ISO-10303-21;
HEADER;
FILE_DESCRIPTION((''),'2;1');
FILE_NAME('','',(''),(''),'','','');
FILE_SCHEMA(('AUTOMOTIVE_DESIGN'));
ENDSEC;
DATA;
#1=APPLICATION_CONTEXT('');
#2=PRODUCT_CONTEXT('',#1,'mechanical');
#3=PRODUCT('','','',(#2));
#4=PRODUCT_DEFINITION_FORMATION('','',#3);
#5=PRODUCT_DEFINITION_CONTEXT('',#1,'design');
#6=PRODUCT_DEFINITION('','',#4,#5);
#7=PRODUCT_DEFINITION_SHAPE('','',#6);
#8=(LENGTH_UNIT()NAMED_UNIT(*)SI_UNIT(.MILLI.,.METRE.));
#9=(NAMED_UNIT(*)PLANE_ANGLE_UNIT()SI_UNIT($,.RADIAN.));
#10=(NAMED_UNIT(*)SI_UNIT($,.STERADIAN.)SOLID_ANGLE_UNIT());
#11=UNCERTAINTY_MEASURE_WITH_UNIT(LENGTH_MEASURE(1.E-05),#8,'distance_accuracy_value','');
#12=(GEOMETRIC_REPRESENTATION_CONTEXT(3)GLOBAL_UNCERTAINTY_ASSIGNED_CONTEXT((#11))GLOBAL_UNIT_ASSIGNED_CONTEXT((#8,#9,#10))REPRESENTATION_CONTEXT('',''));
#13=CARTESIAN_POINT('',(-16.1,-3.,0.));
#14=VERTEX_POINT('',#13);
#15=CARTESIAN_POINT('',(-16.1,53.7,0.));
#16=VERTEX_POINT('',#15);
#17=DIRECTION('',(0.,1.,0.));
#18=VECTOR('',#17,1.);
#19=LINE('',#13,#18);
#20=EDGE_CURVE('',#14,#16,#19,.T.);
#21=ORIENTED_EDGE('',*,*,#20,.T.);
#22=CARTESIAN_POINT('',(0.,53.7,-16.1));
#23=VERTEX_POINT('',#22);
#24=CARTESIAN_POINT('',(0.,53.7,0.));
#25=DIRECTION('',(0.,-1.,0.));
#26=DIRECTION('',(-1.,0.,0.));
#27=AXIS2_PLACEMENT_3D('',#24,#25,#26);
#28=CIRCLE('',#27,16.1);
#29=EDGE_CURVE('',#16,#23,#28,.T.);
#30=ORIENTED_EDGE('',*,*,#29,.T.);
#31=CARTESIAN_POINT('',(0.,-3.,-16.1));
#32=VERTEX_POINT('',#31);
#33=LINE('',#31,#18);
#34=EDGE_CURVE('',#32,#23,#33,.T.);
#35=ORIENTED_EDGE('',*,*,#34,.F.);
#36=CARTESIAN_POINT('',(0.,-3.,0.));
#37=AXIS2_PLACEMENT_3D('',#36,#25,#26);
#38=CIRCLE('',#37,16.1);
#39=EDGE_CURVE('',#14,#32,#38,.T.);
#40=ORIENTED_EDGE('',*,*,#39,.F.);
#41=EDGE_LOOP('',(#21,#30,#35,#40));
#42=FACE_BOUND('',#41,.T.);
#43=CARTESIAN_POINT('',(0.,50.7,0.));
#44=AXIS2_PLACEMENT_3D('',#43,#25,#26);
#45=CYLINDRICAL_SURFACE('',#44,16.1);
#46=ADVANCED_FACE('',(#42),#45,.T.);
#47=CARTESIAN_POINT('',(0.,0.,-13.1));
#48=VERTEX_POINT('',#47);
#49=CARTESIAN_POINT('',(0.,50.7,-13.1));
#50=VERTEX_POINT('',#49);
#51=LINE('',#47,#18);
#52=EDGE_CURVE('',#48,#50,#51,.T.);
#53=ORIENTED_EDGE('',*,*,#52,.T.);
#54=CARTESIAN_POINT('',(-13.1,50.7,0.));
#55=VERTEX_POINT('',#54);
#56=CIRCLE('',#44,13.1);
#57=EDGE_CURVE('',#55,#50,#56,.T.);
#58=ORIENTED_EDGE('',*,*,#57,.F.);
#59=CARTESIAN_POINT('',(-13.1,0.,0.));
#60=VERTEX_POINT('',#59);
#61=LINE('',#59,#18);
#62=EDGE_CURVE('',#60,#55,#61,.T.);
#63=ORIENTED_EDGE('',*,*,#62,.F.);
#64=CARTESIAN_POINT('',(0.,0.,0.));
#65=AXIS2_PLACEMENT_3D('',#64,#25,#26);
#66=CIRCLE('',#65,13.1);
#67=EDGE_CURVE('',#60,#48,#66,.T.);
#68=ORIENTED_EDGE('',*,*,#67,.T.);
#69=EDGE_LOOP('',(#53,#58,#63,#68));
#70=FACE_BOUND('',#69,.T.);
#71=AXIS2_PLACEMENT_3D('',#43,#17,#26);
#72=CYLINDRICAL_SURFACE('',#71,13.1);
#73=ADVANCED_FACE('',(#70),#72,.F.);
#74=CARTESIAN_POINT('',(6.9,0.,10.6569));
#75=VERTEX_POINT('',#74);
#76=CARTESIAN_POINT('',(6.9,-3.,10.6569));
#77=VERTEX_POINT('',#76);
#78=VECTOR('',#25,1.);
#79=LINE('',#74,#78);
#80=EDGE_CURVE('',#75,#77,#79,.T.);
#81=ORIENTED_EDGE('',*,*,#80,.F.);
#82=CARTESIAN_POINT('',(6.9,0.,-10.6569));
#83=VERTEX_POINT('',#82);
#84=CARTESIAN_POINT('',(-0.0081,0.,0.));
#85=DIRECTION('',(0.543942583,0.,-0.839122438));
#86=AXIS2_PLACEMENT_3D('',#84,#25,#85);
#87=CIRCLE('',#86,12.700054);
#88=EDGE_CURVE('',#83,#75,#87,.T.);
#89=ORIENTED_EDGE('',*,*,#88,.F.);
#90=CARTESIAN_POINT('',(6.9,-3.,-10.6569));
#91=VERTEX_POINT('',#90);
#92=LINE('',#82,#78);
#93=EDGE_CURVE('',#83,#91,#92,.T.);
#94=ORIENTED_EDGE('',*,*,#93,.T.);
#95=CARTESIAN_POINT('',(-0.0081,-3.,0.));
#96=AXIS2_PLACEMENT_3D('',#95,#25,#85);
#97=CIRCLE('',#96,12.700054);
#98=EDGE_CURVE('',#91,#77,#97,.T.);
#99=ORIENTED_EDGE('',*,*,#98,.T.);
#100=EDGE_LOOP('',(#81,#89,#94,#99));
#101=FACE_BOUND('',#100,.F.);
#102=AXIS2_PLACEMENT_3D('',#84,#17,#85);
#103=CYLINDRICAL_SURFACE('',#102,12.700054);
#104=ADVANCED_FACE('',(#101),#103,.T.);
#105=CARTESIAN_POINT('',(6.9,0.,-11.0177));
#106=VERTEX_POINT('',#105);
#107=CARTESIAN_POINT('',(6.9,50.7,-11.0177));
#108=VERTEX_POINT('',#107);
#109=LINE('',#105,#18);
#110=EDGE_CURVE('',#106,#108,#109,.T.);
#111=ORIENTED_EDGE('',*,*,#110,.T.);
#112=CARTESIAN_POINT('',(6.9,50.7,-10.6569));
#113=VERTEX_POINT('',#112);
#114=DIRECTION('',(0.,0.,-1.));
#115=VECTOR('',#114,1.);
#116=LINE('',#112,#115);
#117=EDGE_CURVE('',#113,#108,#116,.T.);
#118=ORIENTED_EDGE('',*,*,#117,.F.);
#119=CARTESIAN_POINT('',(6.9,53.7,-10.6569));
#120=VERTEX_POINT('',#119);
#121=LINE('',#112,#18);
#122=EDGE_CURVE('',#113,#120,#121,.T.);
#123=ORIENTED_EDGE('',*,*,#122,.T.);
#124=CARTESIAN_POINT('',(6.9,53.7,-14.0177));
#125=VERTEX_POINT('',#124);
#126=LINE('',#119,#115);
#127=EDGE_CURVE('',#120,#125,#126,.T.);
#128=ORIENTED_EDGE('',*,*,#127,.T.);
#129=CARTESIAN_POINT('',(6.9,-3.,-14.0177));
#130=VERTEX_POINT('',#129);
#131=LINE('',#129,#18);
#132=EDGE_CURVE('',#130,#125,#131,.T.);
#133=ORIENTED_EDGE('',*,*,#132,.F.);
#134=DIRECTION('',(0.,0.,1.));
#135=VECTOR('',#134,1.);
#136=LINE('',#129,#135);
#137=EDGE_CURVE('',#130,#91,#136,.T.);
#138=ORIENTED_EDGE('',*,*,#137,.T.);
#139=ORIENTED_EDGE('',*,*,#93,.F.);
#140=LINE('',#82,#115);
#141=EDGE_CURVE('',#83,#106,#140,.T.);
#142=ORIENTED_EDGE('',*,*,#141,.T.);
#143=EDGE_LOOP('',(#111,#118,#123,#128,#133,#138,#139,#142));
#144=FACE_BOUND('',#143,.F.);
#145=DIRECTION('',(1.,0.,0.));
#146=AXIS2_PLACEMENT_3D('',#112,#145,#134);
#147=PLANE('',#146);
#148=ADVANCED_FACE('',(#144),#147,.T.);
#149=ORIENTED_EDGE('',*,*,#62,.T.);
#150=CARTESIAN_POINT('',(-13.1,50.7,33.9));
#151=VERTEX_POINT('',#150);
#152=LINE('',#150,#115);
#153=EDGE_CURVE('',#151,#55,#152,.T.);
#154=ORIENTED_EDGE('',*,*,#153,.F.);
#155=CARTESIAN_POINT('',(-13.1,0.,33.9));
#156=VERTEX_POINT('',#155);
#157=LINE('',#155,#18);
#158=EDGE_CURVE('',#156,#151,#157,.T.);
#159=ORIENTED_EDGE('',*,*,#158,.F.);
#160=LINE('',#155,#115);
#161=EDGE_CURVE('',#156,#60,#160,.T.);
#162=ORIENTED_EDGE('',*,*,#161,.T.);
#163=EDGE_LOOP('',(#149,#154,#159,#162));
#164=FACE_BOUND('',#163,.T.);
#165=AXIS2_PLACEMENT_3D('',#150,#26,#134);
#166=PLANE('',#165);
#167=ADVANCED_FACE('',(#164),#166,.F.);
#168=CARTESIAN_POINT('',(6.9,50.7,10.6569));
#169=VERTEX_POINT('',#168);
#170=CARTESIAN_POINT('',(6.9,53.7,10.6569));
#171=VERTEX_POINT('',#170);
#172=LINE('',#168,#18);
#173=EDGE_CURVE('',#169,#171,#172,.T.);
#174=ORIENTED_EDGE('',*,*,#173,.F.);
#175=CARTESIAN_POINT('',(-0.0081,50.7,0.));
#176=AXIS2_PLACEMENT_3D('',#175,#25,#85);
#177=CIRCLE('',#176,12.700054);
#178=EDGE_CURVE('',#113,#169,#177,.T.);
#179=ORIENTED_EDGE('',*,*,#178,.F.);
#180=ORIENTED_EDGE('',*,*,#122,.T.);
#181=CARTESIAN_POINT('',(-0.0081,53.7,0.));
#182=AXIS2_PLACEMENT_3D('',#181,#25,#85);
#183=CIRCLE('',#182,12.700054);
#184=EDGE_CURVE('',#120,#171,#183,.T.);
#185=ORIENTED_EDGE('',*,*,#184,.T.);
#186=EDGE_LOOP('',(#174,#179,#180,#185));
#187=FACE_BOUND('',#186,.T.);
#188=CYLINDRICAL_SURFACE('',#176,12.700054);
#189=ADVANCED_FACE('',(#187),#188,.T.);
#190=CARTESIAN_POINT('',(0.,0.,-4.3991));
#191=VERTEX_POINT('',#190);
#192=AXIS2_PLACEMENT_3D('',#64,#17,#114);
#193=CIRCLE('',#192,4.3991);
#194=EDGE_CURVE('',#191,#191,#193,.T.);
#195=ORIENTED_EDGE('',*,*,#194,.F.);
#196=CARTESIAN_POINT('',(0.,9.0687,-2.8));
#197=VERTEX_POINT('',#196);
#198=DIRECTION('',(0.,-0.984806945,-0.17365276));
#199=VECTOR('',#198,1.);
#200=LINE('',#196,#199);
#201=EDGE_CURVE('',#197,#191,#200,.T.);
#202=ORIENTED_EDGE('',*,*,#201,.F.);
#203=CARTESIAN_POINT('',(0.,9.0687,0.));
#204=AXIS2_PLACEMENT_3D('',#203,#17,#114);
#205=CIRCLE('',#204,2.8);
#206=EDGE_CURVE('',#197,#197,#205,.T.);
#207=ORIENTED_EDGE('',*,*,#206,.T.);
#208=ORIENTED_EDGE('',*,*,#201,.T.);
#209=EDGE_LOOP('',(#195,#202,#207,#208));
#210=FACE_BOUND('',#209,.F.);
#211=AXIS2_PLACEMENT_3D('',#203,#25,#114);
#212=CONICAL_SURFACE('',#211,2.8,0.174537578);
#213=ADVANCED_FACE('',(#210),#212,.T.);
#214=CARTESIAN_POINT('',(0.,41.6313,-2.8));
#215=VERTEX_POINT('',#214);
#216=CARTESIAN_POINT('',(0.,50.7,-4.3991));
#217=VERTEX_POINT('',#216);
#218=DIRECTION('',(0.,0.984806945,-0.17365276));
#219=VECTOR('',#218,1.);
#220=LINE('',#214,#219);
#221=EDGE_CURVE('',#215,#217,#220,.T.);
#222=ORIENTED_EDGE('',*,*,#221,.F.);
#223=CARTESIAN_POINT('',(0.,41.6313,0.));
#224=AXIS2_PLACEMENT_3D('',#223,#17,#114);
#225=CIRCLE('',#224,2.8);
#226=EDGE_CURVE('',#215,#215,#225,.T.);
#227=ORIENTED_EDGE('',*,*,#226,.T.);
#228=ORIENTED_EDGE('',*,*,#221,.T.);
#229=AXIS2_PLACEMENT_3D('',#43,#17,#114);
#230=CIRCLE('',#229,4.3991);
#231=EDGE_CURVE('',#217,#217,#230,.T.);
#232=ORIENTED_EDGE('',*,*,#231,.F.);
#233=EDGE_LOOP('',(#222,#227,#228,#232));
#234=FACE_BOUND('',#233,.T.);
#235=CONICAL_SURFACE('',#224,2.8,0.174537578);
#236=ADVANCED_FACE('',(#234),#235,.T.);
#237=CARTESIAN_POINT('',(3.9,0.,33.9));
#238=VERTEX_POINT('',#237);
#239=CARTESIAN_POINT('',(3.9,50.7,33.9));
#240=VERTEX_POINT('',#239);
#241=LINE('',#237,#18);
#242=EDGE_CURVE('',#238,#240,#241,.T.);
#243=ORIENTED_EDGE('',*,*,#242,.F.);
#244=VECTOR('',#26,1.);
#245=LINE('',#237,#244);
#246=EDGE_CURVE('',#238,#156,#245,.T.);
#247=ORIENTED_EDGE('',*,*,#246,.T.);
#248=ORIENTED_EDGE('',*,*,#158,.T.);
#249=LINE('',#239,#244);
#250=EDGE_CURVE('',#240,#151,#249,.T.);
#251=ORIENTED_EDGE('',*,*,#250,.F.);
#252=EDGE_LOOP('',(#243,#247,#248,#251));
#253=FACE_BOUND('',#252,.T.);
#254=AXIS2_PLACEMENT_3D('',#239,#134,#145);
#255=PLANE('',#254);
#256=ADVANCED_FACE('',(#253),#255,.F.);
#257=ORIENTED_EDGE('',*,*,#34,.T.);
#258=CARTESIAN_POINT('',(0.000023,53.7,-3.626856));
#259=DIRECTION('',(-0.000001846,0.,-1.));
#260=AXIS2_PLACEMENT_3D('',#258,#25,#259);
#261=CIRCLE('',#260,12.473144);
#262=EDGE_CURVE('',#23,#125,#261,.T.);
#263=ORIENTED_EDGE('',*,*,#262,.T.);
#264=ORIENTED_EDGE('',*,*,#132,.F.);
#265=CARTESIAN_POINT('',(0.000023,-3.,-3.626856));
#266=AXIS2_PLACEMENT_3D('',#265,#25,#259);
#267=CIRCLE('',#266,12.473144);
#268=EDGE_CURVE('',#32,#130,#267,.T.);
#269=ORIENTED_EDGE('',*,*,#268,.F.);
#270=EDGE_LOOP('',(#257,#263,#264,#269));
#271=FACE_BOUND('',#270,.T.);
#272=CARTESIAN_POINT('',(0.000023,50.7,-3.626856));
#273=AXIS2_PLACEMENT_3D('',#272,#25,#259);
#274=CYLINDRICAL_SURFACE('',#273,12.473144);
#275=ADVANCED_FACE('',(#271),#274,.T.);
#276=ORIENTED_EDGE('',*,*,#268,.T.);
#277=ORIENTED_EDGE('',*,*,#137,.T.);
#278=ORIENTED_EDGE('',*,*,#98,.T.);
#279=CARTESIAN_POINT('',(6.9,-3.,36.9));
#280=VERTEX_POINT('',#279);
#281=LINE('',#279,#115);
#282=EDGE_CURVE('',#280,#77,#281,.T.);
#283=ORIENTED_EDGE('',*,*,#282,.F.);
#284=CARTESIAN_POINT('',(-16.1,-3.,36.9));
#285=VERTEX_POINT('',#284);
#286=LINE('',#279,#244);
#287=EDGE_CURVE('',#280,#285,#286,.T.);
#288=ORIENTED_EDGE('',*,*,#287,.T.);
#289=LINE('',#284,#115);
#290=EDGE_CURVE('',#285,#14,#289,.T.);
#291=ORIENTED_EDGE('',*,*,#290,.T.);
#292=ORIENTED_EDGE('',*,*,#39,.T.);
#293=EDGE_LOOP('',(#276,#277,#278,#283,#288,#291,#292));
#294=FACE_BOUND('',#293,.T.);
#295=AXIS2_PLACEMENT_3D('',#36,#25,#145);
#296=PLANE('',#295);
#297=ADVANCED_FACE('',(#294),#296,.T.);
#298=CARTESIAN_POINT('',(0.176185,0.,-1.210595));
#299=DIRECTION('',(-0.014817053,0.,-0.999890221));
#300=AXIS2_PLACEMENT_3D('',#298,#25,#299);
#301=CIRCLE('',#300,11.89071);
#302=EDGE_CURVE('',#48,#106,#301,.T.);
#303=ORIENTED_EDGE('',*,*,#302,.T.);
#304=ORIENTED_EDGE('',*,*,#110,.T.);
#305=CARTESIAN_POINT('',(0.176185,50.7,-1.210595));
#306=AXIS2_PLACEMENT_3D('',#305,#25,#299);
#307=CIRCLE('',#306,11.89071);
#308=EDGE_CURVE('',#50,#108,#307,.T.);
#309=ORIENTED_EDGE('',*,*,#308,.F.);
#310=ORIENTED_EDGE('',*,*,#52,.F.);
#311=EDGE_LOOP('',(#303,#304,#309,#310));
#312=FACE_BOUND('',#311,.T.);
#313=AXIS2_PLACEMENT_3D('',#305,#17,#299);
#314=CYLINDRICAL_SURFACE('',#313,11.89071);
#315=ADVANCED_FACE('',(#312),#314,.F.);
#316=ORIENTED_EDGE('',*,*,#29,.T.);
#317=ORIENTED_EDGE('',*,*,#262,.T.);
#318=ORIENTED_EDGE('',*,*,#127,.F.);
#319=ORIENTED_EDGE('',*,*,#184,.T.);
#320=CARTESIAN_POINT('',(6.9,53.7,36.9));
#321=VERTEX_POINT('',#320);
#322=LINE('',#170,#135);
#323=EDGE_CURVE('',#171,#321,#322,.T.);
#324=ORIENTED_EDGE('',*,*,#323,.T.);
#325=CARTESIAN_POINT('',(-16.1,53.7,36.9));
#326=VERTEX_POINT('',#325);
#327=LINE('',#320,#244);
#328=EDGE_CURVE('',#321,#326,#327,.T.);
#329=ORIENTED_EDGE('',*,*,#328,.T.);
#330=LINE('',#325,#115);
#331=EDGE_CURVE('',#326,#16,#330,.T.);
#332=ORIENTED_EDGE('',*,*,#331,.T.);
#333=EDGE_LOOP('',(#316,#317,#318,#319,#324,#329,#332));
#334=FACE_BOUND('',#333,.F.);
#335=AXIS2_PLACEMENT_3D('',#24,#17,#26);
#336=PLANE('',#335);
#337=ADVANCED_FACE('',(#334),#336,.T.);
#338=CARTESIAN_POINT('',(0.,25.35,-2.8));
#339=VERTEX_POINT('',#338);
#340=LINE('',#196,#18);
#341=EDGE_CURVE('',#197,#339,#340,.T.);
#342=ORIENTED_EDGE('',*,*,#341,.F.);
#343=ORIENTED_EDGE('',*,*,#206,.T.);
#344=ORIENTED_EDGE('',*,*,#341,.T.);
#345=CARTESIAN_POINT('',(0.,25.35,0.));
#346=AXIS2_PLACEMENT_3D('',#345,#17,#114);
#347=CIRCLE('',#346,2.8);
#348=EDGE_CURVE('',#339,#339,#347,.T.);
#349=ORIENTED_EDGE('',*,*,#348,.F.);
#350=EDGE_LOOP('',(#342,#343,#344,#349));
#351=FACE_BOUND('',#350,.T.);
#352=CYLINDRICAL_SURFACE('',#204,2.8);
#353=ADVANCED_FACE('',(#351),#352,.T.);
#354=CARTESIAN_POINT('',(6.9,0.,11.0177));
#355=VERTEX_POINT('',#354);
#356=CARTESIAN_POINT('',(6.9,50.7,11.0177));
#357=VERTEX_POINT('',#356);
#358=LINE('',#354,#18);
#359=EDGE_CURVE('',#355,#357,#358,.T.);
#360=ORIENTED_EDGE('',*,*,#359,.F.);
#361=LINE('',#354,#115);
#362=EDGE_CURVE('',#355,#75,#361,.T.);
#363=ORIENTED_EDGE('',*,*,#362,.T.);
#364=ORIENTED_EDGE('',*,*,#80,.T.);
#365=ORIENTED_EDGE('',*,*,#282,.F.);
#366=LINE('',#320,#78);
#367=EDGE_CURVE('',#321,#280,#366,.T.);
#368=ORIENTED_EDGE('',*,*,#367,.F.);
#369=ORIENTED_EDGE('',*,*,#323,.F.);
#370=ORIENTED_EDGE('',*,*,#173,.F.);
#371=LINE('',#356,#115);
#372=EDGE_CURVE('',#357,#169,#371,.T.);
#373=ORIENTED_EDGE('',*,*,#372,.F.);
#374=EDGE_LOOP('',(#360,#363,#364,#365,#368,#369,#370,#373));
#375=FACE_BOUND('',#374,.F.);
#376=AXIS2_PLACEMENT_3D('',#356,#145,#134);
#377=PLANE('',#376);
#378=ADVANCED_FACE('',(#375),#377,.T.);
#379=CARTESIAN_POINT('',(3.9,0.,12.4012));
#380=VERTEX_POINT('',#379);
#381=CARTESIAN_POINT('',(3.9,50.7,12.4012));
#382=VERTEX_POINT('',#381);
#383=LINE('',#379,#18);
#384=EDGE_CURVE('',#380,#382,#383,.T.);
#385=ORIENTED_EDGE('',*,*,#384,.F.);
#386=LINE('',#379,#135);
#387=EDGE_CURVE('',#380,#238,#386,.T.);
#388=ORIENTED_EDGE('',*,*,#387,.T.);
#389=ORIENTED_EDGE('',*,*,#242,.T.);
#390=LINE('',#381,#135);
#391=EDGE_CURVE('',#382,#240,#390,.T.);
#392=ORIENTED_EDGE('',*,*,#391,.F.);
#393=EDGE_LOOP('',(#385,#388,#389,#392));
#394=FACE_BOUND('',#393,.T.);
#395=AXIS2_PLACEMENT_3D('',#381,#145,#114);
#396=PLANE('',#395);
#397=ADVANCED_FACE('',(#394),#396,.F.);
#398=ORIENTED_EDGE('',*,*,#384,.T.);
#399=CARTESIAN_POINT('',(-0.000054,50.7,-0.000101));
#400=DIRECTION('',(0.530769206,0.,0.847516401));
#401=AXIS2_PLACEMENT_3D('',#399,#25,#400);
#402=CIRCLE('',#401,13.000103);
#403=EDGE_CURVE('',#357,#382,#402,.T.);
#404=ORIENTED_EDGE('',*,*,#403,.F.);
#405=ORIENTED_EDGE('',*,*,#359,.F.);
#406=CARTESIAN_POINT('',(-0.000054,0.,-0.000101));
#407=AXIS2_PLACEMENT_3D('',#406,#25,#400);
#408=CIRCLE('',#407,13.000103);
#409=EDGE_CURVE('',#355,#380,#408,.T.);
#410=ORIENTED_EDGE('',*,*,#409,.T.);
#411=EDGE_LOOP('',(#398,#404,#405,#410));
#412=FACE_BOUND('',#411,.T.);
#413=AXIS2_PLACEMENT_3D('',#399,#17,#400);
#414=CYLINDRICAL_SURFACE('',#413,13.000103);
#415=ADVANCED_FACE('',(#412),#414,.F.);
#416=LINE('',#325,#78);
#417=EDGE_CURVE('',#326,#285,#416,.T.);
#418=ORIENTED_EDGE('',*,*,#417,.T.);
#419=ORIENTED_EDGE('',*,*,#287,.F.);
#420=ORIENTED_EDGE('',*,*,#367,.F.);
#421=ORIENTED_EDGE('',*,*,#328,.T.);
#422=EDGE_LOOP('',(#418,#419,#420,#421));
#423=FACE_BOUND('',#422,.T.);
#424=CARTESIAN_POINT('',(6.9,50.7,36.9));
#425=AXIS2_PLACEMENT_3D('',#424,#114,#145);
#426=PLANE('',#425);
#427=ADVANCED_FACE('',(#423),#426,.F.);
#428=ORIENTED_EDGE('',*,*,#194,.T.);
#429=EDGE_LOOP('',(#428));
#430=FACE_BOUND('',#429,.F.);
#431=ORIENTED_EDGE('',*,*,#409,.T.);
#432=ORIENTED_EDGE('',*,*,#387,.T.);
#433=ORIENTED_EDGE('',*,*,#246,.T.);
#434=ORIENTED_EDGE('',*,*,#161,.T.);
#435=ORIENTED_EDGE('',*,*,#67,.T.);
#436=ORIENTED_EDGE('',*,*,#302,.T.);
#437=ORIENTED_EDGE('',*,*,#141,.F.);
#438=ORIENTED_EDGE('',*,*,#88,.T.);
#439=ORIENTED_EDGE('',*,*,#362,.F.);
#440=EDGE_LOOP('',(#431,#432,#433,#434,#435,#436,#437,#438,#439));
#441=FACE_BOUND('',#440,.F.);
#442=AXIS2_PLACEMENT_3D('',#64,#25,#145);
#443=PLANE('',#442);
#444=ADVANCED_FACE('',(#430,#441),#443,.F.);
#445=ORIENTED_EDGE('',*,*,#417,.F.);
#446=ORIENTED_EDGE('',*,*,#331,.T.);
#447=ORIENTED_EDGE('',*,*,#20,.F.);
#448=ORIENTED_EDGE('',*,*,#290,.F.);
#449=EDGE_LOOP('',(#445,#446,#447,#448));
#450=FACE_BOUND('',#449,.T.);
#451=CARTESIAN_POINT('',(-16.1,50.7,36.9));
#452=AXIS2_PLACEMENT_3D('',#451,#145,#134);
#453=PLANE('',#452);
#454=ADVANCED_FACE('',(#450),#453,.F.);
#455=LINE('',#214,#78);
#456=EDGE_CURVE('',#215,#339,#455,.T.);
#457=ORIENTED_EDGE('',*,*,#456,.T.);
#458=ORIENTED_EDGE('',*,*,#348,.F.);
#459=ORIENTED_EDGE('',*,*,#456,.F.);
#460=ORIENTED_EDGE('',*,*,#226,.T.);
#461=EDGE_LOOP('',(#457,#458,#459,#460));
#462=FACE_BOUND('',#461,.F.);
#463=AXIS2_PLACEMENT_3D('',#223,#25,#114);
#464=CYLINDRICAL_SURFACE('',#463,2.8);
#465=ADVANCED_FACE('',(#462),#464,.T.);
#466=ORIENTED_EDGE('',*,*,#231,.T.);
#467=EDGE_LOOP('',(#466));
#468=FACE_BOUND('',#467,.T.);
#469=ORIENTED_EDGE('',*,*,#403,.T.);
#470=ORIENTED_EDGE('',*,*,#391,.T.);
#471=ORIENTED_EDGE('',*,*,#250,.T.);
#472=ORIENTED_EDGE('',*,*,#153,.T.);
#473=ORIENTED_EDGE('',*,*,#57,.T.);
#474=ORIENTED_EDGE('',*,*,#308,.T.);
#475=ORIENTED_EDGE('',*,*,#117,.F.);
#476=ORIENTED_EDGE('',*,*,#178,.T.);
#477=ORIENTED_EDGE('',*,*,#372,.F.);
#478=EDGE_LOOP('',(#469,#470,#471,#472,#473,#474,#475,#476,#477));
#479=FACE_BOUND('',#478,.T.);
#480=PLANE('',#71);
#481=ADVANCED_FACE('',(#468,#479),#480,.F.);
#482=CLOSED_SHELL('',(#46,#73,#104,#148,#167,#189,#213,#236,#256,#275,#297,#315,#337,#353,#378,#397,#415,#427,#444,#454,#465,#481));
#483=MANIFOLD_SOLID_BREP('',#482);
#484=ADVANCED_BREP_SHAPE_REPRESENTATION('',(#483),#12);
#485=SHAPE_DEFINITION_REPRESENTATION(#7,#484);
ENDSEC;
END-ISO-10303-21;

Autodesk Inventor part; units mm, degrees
ref_plane "YZ Plane" through (0, 0, 0) normal (1, 0, 0) x (0, 1, 0)
ref_plane "XZ Plane" through (0, 0, 0) normal (0, 1, 0) x (-1, 0, 0)
ref_plane "XY Plane" through (0, 0, 0) normal (0, 0, 1) x (1, 0, 0)
sketch "Sketch1" plane through (0, 0, 0) normal (1, 0, 0) x (0, 1, 0)
  line L0 (0, 0) -> (0, -9.15) construction
  line L1 (0, -9.15) -> (9.0687, -2.8) construction
  line L2 (9.0687, -2.8) -> (9.0687, 0) construction
  line L3 (0, -9.15) -> (0, -29.4542) construction
  line L4 (0, 0) -> (49.8191, 0) construction
  line L5 (9.0687, 0) -> (0, 0)
  line L6 (9.0687, -2.8) -> (25.35, -2.8)
  line L7 (25.35, -2.8) -> (25.35, 0)
  line L8 (25.35, 0) -> (9.0687, 0)
  line L9 (9.0687, -2.8) -> (0, -4.3991)
  line L10 (0, 0) -> (0, -4.3991)
  dimension "d1" = 125
  dimension "d2" = 5.6
  dimension "d3" = 9.15
  dimension "d5" = 9.0687
  dimension "d6" = 25.35
  dimension "d8" = 80
revolve "Revolution1" add sketch "Sketch1" angle 360 about axis through (0, 0, 0) along (0, 1, 0)
sketch "Sketch2" plane through (0, 0, 0) normal (0, -1, 0) x (1, 0, 0)
  line L0 (6.9, -13.1) -> (-16.1, -13.1) construction
  line L1 (-16.1, -13.1) -> (-16.1, 36.9)
  line L2 (-16.1, 36.9) -> (6.9, 36.9)
  line L3 (6.9, 36.9) -> (6.9, -13.1) construction
  circle A0 centre (0, 0) radius 12.5 construction
  circle A1 centre (0, 0) radius 13 construction
  line L4 (6.9, -13.1) -> (6.9, -11.0177) construction
  line L5 (6.9, 36.9) -> (6.9, 11.0177)
  line L6 (0, -13.1) -> (0, -13) construction
  line L7 (3.9, 12.4012) -> (3.9, 33.9)
  line L8 (3.9, 33.9) -> (-13.1, 33.9)
  line L9 (-13.1, 33.9) -> (-13.1, 0)
  arc A2 (6.9, 11.0177) -> (3.9, 12.4012) centre (0, 0) ccw
  arc A3 (-13.1, 0) -> (0, -13.1) centre (0, 0) ccw
  line L10 (0, -13.1) -> (0, -16.1) construction
  line L11 (-13.1, 0) -> (-13, 0) construction
  circle A4 centre (0, 0) radius 2.8 projected
  line L12 (0, 0) -> (-13, 0) construction
  arc A5 (0, -13.1) -> (6.9, -11.0177) centre (0.1762, -1.2107) ccw
  line L13 (-13.1, 0) -> (-16.1, 0) construction
  arc A6 (-16.1, 0) -> (0, -16.1) centre (0, 0) ccw
  line L14 (6.9, -11.0177) -> (6.9, -14.0177)
  arc A7 (0, -16.1) -> (6.9, -14.0177) centre (0, -3.6267) ccw
  dimension "d9" = 25
  dimension "d10" = 0.5
  dimension "d11" = 3
  dimension "d12" = 3
  dimension "d13" = 3
  dimension "d15" = 3
  dimension "d16" = 23
  dimension "d18" = 0.1
  dimension "d19" = 0.1
  dimension "d22" = 3
  dimension "d23" = 11.8906
  dimension "d24" = 50
extrude "Extrusion1" add sketch "Sketch2" against normal up to surface (25.35 mm away) contours L1 L2 L5 A2 L7 L8 L9 A3 A5 L14 A7 A6
sketch "Sketch3" plane through (0, 0, 0) normal (0, -1, 0) x (1, 0, 0)
  line L0 (6.9, 11.0177) -> (6.9, 36.9) projected
  line L1 (6.9, 36.9) -> (-16.1, 36.9) projected
  line L2 (-16.1, 36.9) -> (-16.1, 0) projected
  arc A0 (-16.1, 0) -> (0, -16.1) centre (0, 0) ccw projected
  arc A1 (0, -16.1) -> (6.9, -14.0177) centre (0, -3.6267) ccw projected
  line L3 (6.9, -14.0177) -> (6.9, -11.0177) projected
  arc A2 (0, -13.1) -> (6.9, -11.0177) centre (0.1762, -1.2107) ccw construction
  line L4 (6.9, 11.0177) -> (6.9, -11.0177) construction
  arc A3 (6.9, -10.4177) -> (6.9, 10.4177) centre (-0.0081, 0) ccw construction
  arc A4 (6.9, -10.6569) -> (6.9, 10.6569) centre (-0.0081, 0) ccw
  line L5 (6.9, 0) -> (12.6919, 0) construction
  line L6 (6.9, -10.6569) -> (6.9, -11.0177)
  line L7 (6.9, 11.0177) -> (6.9, 10.6569)
  point P0 (0, 0)
  dimension "d29" = 12.5
  dimension "d30" = 0.2
  dimension "d31" = 0.6
extrude "Extrusion2" add sketch "Sketch3" along normal blind 3
mirror "Mirror1" about plane through (0, 25.35, 0) normal (0, 1, 0) of "Extrusion1", "Extrusion2", "Revolution1"
